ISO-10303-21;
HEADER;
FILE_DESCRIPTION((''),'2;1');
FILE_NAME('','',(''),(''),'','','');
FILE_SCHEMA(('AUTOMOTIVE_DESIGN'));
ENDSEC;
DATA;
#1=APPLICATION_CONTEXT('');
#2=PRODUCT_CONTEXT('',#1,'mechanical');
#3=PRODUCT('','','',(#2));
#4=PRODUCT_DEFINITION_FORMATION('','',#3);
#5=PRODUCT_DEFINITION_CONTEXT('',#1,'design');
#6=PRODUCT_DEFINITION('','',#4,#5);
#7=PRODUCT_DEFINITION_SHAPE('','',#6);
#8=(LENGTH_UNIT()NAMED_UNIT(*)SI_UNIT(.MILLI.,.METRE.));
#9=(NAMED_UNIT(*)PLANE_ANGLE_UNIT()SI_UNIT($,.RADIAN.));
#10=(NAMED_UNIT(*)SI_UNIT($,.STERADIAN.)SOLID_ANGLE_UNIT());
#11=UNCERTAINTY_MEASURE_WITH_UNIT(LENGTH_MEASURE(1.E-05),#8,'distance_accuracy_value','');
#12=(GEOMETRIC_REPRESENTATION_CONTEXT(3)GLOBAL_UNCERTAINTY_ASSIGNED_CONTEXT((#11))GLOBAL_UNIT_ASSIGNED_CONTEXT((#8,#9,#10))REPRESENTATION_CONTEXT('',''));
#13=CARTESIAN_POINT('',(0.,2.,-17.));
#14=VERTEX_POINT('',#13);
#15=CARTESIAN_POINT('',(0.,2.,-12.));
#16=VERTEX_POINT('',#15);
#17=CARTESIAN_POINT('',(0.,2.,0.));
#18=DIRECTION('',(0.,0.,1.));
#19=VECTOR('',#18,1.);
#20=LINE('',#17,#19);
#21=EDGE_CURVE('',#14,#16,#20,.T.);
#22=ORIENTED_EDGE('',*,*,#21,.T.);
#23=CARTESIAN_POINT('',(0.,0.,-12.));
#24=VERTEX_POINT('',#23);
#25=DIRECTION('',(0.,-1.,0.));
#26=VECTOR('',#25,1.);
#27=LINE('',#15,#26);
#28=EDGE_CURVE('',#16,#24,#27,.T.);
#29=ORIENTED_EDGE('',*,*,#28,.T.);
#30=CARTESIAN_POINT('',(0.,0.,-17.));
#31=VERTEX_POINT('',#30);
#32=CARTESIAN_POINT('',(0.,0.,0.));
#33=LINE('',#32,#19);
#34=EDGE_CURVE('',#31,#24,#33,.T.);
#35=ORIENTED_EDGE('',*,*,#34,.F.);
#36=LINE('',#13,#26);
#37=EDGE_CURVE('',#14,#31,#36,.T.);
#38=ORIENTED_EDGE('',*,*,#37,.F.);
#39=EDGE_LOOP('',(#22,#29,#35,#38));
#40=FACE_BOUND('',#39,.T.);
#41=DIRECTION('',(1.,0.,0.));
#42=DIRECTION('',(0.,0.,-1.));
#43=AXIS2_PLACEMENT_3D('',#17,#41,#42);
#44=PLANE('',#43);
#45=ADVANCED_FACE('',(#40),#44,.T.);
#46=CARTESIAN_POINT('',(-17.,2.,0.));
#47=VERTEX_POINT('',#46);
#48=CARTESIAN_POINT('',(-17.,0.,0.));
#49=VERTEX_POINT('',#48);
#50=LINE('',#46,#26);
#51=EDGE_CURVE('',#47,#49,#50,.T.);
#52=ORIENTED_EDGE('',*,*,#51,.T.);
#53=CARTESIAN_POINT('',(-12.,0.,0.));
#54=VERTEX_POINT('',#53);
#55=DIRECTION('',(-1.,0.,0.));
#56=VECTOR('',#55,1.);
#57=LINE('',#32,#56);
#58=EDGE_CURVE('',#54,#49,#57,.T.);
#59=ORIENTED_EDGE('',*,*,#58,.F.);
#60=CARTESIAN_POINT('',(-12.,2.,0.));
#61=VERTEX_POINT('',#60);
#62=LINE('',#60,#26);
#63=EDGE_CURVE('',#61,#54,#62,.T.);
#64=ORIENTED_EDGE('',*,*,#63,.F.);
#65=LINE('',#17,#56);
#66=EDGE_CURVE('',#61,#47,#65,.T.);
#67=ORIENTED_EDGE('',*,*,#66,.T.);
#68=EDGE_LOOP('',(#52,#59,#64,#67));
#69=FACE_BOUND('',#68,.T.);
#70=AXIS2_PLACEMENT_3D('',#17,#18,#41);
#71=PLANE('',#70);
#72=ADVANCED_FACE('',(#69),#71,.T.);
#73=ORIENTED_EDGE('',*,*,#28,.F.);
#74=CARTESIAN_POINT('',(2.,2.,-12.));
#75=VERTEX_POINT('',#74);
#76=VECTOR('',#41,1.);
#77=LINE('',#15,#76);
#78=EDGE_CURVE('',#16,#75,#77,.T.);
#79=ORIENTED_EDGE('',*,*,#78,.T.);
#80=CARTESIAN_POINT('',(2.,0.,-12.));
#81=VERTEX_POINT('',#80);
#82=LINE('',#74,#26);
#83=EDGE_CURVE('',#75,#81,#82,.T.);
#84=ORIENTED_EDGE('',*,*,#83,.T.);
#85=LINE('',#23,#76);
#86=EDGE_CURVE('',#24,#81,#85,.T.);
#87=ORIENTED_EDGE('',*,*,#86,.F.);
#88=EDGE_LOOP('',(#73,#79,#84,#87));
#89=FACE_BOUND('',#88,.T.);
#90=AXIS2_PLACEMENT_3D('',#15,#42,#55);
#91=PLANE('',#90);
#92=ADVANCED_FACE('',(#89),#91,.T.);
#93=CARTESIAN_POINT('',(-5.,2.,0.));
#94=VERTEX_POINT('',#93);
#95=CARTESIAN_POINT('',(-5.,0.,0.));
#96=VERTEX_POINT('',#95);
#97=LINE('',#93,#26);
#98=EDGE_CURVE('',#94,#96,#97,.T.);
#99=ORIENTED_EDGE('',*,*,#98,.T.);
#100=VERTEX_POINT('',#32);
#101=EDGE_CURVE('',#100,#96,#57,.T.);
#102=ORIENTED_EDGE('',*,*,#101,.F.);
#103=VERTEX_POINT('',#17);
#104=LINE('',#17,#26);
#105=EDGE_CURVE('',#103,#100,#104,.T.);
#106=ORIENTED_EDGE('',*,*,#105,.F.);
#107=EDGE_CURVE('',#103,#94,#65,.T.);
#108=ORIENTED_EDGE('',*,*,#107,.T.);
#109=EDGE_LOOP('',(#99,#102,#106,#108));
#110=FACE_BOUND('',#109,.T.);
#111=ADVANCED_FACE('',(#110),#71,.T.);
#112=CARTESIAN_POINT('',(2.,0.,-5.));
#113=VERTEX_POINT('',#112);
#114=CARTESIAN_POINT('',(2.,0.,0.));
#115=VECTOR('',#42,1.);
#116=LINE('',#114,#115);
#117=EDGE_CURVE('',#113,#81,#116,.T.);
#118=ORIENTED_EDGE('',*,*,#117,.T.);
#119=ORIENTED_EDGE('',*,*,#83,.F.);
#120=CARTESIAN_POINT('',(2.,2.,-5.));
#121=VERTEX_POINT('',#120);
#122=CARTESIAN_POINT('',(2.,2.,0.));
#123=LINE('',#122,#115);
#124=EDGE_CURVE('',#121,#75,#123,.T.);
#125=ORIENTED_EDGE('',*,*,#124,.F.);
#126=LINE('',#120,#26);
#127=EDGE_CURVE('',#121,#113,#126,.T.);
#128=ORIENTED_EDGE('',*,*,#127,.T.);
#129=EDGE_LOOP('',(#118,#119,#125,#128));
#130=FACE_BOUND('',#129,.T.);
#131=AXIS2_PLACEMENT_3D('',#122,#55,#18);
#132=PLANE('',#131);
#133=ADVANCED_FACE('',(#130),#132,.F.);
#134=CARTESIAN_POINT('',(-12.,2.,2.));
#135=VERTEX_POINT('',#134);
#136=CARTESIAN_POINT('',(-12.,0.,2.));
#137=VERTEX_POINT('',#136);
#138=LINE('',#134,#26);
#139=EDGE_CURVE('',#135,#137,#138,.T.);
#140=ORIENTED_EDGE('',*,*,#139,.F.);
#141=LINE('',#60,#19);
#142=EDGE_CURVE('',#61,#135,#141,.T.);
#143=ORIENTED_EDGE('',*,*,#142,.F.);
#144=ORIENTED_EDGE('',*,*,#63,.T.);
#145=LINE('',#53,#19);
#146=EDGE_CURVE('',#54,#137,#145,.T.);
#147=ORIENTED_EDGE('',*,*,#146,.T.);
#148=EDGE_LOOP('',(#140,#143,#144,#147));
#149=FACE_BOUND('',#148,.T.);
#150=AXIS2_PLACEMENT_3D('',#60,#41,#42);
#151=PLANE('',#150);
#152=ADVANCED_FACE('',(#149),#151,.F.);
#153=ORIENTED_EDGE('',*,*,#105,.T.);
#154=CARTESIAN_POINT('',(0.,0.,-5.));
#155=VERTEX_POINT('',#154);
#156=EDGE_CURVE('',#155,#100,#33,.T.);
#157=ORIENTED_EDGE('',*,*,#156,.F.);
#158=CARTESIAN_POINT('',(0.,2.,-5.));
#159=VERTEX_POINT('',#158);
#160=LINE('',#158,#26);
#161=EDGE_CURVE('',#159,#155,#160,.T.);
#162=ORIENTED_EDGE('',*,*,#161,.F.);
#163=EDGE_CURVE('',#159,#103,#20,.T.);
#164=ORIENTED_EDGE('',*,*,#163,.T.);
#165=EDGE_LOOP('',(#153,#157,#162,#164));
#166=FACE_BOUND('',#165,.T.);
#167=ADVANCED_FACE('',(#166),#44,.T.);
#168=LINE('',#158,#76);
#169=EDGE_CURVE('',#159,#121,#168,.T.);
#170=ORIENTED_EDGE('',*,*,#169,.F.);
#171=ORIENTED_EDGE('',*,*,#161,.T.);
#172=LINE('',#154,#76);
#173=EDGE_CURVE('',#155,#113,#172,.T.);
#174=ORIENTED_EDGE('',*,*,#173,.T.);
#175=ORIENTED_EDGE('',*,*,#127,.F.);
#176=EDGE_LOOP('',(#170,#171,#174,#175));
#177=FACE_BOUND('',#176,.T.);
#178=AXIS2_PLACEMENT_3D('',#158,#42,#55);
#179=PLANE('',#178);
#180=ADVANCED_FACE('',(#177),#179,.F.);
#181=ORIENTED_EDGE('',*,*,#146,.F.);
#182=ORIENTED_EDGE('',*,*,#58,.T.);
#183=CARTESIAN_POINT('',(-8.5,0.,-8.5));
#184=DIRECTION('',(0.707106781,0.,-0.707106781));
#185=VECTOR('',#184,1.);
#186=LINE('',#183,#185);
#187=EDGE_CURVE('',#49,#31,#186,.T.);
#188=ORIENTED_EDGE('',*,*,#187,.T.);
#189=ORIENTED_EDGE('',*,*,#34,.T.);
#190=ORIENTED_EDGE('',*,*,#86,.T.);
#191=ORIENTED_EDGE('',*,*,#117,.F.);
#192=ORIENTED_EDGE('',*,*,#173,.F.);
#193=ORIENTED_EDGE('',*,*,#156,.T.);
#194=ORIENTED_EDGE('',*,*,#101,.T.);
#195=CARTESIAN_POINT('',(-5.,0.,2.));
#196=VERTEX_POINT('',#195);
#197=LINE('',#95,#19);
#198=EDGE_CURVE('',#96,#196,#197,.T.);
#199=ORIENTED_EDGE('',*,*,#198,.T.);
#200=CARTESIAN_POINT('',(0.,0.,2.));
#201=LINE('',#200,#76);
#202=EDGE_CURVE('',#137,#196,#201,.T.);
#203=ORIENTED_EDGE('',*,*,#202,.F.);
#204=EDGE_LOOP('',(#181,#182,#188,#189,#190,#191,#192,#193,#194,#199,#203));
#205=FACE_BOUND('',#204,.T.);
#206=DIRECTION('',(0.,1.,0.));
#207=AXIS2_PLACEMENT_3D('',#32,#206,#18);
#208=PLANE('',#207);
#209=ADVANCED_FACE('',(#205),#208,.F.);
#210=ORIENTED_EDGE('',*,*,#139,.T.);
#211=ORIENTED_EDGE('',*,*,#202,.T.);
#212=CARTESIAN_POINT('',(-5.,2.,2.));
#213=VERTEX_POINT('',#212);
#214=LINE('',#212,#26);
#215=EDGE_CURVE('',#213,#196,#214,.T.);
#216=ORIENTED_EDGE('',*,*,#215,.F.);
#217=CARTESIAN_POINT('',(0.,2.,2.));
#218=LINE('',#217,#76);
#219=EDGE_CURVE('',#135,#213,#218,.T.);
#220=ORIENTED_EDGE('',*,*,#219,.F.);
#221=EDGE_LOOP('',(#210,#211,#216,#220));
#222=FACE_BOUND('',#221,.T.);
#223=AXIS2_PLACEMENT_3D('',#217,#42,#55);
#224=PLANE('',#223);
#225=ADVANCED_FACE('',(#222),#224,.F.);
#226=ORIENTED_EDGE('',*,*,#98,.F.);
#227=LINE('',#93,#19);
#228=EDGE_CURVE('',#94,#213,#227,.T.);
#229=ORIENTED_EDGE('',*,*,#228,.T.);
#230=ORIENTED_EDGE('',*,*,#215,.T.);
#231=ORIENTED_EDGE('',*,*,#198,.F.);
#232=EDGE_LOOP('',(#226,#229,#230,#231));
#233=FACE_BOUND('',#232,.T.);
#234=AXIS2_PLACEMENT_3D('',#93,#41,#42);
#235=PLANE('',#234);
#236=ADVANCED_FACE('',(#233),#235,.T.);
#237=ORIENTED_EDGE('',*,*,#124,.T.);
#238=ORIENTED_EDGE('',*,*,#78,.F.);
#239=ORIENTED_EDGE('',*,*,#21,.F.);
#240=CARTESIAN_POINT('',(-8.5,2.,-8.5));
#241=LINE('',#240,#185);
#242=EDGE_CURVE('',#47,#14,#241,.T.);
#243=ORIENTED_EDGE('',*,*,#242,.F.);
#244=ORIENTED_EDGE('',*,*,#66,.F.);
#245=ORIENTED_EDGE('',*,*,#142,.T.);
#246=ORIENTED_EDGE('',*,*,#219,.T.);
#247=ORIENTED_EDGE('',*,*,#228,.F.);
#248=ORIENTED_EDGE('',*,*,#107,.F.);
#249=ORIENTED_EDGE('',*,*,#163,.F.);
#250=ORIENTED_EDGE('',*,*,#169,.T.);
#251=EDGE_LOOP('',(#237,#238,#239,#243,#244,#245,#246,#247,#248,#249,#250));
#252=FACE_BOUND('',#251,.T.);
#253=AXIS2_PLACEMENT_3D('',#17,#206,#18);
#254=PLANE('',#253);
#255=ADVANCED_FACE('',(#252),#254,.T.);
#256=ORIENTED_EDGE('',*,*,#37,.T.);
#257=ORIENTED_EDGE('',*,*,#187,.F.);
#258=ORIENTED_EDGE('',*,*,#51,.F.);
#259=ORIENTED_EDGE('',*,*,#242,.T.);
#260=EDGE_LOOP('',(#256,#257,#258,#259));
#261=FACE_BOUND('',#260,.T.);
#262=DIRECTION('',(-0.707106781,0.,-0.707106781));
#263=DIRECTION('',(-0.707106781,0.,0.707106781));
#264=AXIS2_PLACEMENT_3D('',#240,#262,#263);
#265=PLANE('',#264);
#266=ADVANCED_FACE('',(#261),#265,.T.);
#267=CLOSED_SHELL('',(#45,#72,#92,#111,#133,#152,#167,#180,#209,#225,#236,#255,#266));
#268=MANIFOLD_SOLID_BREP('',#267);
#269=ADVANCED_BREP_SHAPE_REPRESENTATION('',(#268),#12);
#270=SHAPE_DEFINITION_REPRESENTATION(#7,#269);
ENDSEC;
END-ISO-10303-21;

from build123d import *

# Parameters (mm, degrees)
SKETCH1_W           = 7
SKETCH1_H           = 2
SKETCH1_W_2         = 2
SKETCH1_H_2         = 7
BOSS_EXTRUDE1_DEPTH = 2


with BuildPart() as part:
    # Sketch1 → Boss-Extrude1 (new body)
    with BuildSketch(Plane(origin=(0, 0, 0), x_dir=(1, 0, 0), z_dir=(0, 1, 0))):
        Polygon((0, 17), (0, 0), (-17, 0), align=None)
        with Locations((-8.5, -1)):
            Rectangle(SKETCH1_W, SKETCH1_H)
        with Locations((1, 8.5)):
            Rectangle(SKETCH1_W_2, SKETCH1_H_2)
    extrude(amount=BOSS_EXTRUDE1_DEPTH)


solid = part.part
